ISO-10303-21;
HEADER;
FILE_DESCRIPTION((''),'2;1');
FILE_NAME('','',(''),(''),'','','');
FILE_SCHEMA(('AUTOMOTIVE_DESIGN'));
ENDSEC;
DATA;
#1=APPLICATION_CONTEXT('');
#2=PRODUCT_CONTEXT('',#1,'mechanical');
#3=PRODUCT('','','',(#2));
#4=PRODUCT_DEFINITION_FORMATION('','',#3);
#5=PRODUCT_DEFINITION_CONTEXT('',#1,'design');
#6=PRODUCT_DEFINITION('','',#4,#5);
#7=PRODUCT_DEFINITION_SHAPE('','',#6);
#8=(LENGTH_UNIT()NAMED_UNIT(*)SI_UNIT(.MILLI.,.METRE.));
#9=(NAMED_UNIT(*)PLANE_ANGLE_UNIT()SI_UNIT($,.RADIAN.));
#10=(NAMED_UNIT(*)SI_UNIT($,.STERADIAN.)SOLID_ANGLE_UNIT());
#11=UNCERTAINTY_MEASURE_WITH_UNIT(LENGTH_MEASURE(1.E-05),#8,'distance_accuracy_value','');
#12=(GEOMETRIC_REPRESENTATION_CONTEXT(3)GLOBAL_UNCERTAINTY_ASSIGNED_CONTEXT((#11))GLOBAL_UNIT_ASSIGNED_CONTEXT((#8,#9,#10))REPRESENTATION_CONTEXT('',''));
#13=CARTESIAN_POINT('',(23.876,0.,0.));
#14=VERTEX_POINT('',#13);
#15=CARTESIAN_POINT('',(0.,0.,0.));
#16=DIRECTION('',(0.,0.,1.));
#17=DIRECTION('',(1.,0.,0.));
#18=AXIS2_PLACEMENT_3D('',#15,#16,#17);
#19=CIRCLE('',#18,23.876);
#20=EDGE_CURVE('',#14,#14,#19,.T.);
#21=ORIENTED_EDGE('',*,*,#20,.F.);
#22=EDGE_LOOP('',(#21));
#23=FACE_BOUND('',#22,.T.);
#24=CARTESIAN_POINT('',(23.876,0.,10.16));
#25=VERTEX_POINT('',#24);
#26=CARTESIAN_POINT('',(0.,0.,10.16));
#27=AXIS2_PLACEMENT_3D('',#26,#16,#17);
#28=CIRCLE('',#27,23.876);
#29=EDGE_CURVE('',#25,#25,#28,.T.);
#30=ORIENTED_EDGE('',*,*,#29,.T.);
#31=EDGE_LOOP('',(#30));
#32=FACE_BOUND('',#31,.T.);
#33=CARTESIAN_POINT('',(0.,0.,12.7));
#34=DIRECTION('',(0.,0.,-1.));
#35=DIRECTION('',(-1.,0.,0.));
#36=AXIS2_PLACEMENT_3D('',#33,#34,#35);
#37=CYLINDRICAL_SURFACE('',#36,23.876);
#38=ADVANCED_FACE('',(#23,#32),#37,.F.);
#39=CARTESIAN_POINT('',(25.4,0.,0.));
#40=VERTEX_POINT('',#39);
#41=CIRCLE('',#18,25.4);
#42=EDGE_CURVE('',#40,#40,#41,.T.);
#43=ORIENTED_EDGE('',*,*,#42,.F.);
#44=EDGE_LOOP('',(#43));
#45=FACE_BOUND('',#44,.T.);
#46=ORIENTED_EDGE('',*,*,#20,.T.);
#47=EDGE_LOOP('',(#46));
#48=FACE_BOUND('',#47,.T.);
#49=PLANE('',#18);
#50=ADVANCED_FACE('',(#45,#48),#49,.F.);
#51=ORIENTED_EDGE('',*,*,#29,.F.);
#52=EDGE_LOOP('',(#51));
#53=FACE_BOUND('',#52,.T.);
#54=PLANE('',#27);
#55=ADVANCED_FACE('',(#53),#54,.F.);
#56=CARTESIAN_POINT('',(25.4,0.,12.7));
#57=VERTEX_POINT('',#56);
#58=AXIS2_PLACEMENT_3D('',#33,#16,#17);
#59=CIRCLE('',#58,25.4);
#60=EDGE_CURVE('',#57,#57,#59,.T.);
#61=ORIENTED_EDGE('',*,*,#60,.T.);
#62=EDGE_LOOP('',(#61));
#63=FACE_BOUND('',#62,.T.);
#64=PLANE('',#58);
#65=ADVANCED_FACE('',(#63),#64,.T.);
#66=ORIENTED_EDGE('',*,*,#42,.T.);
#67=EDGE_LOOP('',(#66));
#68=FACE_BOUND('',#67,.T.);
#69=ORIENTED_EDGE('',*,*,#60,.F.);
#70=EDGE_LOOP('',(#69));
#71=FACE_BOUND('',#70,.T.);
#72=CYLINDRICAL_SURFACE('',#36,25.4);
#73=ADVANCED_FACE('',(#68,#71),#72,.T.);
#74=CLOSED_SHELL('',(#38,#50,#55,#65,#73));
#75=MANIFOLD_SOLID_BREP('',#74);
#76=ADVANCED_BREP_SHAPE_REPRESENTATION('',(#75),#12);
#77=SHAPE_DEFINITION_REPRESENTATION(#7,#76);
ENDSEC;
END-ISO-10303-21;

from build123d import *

# Parameters (mm, degrees)
SKETCH1_R           = 25.4
SKETCH1_R_2         = 23.876
BOSS_EXTRUDE1_DEPTH = 12.7
BOSS_EXTRUDE2_START = -2.54
SKETCH2_R           = 23.876
BOSS_EXTRUDE2_DEPTH = 2.54


with BuildPart() as part:
    # Sketch1 → Boss-Extrude1 (new body)
    with BuildSketch(Plane.XY):
        Circle(SKETCH1_R)
        Circle(SKETCH1_R_2, mode=Mode.SUBTRACT)
    extrude(amount=BOSS_EXTRUDE1_DEPTH)

    # Sketch2 → Boss-Extrude2 (add)
    with BuildSketch(Plane.XY.offset(12.7).offset(BOSS_EXTRUDE2_START)):
        Circle(SKETCH2_R)
    extrude(amount=BOSS_EXTRUDE2_DEPTH)


solid = part.part
